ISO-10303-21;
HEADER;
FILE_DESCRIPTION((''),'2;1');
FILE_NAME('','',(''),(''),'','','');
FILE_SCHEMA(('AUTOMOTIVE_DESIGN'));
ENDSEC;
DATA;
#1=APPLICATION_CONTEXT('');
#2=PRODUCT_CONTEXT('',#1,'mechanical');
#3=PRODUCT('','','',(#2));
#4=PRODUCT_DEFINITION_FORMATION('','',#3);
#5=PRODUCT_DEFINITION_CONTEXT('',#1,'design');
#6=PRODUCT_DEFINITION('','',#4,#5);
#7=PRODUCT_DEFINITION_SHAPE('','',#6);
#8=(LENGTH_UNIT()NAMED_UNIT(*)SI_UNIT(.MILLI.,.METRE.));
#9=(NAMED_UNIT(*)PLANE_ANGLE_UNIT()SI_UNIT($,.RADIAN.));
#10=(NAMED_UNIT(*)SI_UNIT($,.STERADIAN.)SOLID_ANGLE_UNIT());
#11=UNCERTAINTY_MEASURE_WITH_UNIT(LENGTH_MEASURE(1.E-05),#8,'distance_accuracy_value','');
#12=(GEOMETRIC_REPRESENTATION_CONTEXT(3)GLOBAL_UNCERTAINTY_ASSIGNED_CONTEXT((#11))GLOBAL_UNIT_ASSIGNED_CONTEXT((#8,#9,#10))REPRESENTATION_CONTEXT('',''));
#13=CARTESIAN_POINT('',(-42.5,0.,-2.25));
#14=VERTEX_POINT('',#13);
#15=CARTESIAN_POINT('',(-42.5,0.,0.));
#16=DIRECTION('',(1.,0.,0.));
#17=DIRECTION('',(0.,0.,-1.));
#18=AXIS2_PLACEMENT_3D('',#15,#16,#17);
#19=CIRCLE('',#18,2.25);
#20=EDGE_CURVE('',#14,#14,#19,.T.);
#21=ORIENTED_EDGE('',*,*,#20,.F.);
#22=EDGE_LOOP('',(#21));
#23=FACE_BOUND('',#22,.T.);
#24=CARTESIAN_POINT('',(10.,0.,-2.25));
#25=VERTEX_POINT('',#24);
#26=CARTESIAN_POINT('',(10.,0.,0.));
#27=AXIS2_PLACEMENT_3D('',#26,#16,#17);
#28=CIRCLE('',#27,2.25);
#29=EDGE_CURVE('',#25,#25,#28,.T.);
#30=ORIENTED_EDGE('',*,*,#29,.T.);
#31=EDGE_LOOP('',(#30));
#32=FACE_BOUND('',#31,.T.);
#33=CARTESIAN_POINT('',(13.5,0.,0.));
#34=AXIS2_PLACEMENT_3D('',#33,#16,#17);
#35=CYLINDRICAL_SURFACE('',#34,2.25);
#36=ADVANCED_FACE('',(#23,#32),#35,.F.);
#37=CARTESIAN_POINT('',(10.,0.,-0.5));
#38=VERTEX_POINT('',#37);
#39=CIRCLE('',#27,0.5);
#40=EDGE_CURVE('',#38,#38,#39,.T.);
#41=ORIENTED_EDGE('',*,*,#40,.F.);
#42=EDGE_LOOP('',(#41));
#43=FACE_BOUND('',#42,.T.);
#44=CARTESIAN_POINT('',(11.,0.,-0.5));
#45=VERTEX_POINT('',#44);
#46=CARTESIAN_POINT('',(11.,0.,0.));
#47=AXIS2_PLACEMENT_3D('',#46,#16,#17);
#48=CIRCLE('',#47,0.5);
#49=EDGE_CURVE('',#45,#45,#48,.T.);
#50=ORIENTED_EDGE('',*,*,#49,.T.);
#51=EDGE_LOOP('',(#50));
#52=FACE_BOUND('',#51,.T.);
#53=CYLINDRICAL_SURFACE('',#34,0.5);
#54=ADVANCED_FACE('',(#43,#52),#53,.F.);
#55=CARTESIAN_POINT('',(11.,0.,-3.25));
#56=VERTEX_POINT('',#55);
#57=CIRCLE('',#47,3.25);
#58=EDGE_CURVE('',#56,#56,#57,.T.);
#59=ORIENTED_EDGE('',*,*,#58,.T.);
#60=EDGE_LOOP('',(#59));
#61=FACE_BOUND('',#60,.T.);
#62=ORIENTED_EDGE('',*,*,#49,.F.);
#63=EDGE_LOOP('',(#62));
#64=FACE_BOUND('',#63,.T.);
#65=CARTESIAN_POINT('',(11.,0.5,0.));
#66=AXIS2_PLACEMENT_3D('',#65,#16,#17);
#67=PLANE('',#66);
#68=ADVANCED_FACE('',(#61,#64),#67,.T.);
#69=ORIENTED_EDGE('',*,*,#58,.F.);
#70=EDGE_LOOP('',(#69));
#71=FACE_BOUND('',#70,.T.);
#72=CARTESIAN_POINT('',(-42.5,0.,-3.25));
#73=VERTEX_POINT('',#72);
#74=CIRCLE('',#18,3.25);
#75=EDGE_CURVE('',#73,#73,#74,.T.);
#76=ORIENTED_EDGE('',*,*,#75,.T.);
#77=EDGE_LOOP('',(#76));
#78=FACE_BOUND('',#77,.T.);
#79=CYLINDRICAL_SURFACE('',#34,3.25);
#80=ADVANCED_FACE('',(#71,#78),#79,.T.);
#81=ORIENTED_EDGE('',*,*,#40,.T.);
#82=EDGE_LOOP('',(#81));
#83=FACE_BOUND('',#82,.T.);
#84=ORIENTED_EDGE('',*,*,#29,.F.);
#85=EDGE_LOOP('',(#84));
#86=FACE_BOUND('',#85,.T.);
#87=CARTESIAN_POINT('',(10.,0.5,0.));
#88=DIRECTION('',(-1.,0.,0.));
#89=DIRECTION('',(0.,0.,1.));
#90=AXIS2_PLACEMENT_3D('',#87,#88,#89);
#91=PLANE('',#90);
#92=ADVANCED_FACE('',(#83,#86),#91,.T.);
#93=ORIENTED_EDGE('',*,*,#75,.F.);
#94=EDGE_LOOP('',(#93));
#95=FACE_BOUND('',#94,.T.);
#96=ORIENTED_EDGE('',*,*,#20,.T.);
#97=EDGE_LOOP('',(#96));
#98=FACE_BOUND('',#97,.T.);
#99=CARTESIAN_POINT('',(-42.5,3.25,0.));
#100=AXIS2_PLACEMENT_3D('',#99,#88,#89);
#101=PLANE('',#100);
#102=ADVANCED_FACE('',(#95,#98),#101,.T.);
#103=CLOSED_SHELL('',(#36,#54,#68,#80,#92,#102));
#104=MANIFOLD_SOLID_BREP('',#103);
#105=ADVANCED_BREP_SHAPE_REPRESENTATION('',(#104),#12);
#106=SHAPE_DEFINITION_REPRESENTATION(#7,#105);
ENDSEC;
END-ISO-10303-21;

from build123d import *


with BuildPart() as part:
    # Sketch1 → Revolve1 (revolve)
    with BuildSketch(Plane.XY):
        Polygon((11, 0.5), (11, 3.25), (-42.5, 3.25), (-42.5, 2.25), (10, 2.25), (10, 0.5), align=None)
    revolve(axis=Axis((13.5, 0, 0), (-1, 0, 0)))


solid = part.part
